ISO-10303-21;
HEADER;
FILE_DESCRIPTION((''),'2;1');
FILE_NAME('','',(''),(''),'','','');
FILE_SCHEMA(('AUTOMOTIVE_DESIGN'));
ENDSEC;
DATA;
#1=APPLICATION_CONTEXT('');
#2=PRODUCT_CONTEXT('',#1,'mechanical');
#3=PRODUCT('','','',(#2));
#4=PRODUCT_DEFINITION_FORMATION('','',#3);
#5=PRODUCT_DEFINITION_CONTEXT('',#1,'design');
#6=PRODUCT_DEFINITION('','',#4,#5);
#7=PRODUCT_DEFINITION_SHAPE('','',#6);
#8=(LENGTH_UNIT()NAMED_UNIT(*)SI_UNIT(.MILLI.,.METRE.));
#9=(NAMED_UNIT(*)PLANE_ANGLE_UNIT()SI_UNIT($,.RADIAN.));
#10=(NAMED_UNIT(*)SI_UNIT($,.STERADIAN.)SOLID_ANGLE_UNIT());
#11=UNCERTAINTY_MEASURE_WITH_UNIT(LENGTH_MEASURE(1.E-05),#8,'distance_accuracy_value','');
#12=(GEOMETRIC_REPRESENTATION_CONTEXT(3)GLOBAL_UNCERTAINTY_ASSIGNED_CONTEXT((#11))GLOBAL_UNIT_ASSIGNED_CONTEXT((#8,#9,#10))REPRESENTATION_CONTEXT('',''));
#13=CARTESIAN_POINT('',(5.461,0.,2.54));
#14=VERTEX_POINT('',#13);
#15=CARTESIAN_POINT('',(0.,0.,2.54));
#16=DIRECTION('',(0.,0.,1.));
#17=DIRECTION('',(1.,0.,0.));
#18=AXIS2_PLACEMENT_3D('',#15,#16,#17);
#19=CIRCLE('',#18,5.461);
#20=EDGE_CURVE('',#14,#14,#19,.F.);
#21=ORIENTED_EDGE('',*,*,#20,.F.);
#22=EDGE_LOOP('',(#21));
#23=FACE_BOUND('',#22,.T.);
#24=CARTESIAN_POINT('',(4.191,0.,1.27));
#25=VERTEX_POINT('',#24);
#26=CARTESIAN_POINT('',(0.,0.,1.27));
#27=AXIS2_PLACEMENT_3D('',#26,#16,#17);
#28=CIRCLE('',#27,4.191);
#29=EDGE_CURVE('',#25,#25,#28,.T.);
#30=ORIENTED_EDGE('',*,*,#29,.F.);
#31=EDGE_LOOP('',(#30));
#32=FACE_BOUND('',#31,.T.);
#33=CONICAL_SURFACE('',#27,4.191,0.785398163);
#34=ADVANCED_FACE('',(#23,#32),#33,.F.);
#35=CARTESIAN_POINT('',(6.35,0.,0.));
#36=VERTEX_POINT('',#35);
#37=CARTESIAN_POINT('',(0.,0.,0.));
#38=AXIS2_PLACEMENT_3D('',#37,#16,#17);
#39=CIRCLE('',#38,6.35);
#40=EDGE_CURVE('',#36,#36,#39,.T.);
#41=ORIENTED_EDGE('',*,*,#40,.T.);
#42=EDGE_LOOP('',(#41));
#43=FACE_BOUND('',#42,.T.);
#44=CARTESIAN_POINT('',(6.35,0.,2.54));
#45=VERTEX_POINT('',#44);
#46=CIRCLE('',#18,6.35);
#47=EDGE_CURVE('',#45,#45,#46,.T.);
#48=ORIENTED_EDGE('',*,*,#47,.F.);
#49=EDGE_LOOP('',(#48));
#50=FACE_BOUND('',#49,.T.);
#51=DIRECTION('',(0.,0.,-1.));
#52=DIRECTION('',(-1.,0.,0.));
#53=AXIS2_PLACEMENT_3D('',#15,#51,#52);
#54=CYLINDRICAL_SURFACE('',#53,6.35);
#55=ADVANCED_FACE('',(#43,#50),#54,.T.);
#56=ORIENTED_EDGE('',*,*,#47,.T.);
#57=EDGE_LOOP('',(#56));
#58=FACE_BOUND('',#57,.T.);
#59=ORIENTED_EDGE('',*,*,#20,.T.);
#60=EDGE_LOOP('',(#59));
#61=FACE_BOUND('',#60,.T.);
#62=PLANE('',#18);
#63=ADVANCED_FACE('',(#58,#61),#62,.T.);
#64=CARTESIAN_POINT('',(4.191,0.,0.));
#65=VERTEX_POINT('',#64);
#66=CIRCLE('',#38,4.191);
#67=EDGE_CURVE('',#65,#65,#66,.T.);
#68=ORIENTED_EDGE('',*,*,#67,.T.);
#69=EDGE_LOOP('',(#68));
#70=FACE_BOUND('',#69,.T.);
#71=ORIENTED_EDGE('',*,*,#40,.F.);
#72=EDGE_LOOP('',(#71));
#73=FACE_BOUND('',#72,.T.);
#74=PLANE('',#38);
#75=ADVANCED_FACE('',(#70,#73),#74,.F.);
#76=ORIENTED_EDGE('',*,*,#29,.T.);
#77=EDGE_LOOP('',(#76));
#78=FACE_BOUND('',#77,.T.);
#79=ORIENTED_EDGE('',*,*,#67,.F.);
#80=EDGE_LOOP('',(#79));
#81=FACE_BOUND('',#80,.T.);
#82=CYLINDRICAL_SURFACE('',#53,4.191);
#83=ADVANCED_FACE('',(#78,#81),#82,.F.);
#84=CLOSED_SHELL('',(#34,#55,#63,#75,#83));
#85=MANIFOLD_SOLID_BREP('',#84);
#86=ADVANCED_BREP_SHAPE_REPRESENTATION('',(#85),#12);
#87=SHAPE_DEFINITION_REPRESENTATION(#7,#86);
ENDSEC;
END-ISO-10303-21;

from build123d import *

# Parameters (mm, degrees)
SKETCH1_R           = 6.35
SKETCH1_R_2         = 4.191
BOSS_EXTRUDE1_DEPTH = 2.54
CHAMFER1_SIZE       = 1.27


with BuildPart() as part:
    # Sketch1 → Boss-Extrude1 (new body)
    with BuildSketch(Plane.XY):
        Circle(SKETCH1_R)
        Circle(SKETCH1_R_2, mode=Mode.SUBTRACT)
    extrude(amount=BOSS_EXTRUDE1_DEPTH)

    # Chamfer1
    chamfer1_edges = [part.edges().sort_by_distance(p)[0] for p in [
        (-4.191, 0, 2.54),
    ]]
    chamfer(chamfer1_edges, length=CHAMFER1_SIZE)


solid = part.part
